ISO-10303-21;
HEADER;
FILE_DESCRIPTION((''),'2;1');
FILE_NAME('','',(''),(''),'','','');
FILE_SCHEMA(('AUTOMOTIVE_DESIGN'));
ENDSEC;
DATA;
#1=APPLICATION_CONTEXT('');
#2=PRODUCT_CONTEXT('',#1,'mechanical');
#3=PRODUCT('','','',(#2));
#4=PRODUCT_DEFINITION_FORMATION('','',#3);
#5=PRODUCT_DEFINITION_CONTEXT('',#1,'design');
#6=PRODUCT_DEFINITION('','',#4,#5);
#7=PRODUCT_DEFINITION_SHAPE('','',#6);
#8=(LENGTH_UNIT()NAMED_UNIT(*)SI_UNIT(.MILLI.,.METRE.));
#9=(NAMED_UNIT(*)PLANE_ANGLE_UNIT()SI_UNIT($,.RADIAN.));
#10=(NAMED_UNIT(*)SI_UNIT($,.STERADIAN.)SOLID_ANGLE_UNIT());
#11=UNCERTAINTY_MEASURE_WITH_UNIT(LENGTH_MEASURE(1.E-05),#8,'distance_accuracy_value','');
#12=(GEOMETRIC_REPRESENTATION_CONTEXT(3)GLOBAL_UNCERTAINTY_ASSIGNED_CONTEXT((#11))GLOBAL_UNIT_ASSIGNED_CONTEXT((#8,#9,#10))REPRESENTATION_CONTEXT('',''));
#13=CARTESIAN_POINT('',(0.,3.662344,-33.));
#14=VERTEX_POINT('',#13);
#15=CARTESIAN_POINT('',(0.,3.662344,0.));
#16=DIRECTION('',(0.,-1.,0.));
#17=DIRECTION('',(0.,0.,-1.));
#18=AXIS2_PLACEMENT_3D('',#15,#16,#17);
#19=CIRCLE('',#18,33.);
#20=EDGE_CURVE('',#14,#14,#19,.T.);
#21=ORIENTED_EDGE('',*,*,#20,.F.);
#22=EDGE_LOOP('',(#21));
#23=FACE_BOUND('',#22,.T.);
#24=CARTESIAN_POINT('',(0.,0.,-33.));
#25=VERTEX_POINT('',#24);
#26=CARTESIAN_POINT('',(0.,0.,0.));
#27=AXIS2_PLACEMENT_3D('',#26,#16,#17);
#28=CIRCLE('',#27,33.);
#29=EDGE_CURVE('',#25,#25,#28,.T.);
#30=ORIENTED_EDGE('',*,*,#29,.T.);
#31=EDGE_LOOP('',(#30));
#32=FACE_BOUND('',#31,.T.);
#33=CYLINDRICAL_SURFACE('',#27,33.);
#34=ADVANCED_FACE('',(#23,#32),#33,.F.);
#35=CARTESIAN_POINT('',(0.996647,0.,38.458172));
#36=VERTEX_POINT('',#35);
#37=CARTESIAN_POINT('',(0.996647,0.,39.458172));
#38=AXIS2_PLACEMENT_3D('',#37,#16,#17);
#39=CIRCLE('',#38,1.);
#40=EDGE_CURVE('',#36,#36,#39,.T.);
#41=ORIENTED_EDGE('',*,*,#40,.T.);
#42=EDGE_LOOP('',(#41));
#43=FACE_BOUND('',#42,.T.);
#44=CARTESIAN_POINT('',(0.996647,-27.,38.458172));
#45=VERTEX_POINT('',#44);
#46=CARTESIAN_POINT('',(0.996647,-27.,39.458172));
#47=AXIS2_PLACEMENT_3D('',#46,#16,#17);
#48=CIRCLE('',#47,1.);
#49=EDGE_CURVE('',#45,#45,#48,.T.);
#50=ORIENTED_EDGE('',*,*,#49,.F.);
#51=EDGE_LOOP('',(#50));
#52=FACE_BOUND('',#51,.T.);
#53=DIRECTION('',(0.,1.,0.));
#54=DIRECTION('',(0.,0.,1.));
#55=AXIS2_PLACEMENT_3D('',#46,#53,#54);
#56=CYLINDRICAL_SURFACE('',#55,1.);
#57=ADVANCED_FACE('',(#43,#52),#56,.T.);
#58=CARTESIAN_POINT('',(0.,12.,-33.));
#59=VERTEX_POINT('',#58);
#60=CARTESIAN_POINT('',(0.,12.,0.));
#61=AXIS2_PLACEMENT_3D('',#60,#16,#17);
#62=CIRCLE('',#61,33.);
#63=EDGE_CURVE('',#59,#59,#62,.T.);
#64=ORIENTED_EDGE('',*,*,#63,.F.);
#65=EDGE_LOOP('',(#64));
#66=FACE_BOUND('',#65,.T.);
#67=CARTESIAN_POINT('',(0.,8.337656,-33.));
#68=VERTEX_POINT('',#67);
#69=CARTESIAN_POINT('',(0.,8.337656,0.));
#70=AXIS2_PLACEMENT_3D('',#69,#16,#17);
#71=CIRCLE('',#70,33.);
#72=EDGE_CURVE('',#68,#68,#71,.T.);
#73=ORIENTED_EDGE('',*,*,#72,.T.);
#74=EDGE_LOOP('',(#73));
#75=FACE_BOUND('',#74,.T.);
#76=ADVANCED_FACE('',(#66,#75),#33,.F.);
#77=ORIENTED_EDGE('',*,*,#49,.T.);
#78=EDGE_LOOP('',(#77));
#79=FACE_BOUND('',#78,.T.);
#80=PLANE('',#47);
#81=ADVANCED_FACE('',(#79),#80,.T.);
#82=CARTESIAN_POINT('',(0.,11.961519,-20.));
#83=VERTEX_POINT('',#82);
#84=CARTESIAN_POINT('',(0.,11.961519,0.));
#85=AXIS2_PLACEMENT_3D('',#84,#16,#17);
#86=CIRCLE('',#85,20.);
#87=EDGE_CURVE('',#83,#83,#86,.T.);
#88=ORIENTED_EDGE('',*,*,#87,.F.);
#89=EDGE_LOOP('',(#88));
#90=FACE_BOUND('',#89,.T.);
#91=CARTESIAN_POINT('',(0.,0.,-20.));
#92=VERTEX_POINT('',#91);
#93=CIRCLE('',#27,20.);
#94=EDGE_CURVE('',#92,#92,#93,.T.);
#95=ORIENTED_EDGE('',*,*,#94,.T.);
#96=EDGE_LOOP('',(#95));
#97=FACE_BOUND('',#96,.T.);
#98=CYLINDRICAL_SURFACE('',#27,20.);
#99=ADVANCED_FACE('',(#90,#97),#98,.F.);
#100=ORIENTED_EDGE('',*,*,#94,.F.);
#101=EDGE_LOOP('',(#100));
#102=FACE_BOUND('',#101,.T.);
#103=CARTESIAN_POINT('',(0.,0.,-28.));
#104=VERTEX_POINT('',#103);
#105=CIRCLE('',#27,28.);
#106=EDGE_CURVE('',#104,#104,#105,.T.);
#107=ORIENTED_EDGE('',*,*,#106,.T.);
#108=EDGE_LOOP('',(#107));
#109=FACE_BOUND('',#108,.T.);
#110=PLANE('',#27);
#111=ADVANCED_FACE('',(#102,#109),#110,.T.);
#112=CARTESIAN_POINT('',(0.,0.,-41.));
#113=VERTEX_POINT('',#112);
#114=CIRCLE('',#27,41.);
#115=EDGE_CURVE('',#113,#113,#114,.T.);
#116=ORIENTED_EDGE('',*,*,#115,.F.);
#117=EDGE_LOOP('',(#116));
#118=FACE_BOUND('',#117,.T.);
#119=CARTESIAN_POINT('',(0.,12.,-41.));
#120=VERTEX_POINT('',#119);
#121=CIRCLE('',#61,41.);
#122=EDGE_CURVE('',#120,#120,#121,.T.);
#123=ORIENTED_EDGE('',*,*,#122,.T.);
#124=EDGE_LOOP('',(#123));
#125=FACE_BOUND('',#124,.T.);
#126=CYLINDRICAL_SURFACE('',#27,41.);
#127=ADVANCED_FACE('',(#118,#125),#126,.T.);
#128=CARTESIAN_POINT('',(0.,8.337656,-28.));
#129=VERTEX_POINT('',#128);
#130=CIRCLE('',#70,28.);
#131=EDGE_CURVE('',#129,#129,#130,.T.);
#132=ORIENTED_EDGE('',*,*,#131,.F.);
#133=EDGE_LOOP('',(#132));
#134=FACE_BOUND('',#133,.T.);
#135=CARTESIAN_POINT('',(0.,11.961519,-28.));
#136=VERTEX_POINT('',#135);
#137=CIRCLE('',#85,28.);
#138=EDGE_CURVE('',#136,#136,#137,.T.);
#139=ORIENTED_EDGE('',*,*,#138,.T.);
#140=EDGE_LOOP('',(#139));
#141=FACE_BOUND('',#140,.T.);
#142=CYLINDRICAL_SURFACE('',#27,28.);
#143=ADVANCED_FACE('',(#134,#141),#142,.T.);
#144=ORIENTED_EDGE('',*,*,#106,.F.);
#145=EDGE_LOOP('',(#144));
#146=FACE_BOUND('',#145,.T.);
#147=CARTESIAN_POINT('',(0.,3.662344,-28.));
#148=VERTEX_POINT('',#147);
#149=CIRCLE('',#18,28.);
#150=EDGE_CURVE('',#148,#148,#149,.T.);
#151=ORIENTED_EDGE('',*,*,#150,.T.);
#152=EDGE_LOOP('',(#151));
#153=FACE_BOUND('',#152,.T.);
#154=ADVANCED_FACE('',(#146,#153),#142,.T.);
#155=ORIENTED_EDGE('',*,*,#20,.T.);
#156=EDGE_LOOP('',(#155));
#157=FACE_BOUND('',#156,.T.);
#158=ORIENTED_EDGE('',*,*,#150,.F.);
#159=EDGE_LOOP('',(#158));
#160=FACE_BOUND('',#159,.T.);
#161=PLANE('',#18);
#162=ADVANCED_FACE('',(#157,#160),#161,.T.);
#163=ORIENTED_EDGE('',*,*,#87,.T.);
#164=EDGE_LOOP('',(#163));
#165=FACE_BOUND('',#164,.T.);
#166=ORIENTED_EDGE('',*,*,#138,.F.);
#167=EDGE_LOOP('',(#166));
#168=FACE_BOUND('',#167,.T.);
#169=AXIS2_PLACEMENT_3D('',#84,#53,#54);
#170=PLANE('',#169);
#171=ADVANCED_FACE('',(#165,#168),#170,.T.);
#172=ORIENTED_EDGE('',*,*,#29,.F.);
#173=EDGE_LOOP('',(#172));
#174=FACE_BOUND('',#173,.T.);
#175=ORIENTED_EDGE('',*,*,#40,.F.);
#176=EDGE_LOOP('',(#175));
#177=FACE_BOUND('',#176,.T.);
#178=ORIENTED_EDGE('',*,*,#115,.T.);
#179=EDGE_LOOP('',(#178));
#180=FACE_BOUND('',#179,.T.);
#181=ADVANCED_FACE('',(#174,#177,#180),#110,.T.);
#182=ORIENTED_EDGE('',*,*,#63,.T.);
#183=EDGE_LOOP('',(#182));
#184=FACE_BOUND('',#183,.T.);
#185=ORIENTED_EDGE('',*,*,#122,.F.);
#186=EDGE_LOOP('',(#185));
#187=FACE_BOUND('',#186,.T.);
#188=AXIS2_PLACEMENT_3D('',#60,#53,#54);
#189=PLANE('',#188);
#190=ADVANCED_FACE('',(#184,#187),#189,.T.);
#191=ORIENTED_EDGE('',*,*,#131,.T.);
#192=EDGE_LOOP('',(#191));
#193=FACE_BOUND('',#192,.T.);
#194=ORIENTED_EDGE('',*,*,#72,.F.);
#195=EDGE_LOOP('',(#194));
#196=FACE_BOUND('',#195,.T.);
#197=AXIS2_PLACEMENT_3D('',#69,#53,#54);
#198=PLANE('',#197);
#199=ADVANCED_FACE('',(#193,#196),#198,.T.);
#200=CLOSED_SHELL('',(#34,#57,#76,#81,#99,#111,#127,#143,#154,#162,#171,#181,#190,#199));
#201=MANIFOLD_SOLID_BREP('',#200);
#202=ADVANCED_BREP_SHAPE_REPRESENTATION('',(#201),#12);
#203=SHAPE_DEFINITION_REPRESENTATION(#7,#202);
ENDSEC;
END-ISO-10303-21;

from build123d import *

# Parameters (mm, degrees)
SKETCH_2_R      = 1
EXTRUDE_1_DEPTH = 27


with BuildPart() as part:
    # 草图1 → 旋转1 (revolve)
    with BuildSketch(Plane.XY, mode=Mode.PRIVATE) as revolve_1_sk:
        Polygon((20, 0), (28, 0), (28, 3.662344451), (33, 3.662344451), (33, 0), (41, 0), (41, 12), (33, 12), (33, 8.337655549), (28, 8.337655549), (28, 11.96151904), (20, 11.96151904), align=None)
    revolve(revolve_1_sk.sketch.rotate(Axis((0, 0, 0), (0, 1, 0)), 90), axis=Axis((0, 0, 0), (0, 1, 0)))

    # 草图2 → 凸台-拉伸1 (add)
    with BuildSketch(Plane.XZ):
        with Locations(Location((0.996647287, 39.458172136, 0), (0, 0, 270))):
            Circle(SKETCH_2_R)
    extrude(amount=EXTRUDE_1_DEPTH)


solid = part.part
